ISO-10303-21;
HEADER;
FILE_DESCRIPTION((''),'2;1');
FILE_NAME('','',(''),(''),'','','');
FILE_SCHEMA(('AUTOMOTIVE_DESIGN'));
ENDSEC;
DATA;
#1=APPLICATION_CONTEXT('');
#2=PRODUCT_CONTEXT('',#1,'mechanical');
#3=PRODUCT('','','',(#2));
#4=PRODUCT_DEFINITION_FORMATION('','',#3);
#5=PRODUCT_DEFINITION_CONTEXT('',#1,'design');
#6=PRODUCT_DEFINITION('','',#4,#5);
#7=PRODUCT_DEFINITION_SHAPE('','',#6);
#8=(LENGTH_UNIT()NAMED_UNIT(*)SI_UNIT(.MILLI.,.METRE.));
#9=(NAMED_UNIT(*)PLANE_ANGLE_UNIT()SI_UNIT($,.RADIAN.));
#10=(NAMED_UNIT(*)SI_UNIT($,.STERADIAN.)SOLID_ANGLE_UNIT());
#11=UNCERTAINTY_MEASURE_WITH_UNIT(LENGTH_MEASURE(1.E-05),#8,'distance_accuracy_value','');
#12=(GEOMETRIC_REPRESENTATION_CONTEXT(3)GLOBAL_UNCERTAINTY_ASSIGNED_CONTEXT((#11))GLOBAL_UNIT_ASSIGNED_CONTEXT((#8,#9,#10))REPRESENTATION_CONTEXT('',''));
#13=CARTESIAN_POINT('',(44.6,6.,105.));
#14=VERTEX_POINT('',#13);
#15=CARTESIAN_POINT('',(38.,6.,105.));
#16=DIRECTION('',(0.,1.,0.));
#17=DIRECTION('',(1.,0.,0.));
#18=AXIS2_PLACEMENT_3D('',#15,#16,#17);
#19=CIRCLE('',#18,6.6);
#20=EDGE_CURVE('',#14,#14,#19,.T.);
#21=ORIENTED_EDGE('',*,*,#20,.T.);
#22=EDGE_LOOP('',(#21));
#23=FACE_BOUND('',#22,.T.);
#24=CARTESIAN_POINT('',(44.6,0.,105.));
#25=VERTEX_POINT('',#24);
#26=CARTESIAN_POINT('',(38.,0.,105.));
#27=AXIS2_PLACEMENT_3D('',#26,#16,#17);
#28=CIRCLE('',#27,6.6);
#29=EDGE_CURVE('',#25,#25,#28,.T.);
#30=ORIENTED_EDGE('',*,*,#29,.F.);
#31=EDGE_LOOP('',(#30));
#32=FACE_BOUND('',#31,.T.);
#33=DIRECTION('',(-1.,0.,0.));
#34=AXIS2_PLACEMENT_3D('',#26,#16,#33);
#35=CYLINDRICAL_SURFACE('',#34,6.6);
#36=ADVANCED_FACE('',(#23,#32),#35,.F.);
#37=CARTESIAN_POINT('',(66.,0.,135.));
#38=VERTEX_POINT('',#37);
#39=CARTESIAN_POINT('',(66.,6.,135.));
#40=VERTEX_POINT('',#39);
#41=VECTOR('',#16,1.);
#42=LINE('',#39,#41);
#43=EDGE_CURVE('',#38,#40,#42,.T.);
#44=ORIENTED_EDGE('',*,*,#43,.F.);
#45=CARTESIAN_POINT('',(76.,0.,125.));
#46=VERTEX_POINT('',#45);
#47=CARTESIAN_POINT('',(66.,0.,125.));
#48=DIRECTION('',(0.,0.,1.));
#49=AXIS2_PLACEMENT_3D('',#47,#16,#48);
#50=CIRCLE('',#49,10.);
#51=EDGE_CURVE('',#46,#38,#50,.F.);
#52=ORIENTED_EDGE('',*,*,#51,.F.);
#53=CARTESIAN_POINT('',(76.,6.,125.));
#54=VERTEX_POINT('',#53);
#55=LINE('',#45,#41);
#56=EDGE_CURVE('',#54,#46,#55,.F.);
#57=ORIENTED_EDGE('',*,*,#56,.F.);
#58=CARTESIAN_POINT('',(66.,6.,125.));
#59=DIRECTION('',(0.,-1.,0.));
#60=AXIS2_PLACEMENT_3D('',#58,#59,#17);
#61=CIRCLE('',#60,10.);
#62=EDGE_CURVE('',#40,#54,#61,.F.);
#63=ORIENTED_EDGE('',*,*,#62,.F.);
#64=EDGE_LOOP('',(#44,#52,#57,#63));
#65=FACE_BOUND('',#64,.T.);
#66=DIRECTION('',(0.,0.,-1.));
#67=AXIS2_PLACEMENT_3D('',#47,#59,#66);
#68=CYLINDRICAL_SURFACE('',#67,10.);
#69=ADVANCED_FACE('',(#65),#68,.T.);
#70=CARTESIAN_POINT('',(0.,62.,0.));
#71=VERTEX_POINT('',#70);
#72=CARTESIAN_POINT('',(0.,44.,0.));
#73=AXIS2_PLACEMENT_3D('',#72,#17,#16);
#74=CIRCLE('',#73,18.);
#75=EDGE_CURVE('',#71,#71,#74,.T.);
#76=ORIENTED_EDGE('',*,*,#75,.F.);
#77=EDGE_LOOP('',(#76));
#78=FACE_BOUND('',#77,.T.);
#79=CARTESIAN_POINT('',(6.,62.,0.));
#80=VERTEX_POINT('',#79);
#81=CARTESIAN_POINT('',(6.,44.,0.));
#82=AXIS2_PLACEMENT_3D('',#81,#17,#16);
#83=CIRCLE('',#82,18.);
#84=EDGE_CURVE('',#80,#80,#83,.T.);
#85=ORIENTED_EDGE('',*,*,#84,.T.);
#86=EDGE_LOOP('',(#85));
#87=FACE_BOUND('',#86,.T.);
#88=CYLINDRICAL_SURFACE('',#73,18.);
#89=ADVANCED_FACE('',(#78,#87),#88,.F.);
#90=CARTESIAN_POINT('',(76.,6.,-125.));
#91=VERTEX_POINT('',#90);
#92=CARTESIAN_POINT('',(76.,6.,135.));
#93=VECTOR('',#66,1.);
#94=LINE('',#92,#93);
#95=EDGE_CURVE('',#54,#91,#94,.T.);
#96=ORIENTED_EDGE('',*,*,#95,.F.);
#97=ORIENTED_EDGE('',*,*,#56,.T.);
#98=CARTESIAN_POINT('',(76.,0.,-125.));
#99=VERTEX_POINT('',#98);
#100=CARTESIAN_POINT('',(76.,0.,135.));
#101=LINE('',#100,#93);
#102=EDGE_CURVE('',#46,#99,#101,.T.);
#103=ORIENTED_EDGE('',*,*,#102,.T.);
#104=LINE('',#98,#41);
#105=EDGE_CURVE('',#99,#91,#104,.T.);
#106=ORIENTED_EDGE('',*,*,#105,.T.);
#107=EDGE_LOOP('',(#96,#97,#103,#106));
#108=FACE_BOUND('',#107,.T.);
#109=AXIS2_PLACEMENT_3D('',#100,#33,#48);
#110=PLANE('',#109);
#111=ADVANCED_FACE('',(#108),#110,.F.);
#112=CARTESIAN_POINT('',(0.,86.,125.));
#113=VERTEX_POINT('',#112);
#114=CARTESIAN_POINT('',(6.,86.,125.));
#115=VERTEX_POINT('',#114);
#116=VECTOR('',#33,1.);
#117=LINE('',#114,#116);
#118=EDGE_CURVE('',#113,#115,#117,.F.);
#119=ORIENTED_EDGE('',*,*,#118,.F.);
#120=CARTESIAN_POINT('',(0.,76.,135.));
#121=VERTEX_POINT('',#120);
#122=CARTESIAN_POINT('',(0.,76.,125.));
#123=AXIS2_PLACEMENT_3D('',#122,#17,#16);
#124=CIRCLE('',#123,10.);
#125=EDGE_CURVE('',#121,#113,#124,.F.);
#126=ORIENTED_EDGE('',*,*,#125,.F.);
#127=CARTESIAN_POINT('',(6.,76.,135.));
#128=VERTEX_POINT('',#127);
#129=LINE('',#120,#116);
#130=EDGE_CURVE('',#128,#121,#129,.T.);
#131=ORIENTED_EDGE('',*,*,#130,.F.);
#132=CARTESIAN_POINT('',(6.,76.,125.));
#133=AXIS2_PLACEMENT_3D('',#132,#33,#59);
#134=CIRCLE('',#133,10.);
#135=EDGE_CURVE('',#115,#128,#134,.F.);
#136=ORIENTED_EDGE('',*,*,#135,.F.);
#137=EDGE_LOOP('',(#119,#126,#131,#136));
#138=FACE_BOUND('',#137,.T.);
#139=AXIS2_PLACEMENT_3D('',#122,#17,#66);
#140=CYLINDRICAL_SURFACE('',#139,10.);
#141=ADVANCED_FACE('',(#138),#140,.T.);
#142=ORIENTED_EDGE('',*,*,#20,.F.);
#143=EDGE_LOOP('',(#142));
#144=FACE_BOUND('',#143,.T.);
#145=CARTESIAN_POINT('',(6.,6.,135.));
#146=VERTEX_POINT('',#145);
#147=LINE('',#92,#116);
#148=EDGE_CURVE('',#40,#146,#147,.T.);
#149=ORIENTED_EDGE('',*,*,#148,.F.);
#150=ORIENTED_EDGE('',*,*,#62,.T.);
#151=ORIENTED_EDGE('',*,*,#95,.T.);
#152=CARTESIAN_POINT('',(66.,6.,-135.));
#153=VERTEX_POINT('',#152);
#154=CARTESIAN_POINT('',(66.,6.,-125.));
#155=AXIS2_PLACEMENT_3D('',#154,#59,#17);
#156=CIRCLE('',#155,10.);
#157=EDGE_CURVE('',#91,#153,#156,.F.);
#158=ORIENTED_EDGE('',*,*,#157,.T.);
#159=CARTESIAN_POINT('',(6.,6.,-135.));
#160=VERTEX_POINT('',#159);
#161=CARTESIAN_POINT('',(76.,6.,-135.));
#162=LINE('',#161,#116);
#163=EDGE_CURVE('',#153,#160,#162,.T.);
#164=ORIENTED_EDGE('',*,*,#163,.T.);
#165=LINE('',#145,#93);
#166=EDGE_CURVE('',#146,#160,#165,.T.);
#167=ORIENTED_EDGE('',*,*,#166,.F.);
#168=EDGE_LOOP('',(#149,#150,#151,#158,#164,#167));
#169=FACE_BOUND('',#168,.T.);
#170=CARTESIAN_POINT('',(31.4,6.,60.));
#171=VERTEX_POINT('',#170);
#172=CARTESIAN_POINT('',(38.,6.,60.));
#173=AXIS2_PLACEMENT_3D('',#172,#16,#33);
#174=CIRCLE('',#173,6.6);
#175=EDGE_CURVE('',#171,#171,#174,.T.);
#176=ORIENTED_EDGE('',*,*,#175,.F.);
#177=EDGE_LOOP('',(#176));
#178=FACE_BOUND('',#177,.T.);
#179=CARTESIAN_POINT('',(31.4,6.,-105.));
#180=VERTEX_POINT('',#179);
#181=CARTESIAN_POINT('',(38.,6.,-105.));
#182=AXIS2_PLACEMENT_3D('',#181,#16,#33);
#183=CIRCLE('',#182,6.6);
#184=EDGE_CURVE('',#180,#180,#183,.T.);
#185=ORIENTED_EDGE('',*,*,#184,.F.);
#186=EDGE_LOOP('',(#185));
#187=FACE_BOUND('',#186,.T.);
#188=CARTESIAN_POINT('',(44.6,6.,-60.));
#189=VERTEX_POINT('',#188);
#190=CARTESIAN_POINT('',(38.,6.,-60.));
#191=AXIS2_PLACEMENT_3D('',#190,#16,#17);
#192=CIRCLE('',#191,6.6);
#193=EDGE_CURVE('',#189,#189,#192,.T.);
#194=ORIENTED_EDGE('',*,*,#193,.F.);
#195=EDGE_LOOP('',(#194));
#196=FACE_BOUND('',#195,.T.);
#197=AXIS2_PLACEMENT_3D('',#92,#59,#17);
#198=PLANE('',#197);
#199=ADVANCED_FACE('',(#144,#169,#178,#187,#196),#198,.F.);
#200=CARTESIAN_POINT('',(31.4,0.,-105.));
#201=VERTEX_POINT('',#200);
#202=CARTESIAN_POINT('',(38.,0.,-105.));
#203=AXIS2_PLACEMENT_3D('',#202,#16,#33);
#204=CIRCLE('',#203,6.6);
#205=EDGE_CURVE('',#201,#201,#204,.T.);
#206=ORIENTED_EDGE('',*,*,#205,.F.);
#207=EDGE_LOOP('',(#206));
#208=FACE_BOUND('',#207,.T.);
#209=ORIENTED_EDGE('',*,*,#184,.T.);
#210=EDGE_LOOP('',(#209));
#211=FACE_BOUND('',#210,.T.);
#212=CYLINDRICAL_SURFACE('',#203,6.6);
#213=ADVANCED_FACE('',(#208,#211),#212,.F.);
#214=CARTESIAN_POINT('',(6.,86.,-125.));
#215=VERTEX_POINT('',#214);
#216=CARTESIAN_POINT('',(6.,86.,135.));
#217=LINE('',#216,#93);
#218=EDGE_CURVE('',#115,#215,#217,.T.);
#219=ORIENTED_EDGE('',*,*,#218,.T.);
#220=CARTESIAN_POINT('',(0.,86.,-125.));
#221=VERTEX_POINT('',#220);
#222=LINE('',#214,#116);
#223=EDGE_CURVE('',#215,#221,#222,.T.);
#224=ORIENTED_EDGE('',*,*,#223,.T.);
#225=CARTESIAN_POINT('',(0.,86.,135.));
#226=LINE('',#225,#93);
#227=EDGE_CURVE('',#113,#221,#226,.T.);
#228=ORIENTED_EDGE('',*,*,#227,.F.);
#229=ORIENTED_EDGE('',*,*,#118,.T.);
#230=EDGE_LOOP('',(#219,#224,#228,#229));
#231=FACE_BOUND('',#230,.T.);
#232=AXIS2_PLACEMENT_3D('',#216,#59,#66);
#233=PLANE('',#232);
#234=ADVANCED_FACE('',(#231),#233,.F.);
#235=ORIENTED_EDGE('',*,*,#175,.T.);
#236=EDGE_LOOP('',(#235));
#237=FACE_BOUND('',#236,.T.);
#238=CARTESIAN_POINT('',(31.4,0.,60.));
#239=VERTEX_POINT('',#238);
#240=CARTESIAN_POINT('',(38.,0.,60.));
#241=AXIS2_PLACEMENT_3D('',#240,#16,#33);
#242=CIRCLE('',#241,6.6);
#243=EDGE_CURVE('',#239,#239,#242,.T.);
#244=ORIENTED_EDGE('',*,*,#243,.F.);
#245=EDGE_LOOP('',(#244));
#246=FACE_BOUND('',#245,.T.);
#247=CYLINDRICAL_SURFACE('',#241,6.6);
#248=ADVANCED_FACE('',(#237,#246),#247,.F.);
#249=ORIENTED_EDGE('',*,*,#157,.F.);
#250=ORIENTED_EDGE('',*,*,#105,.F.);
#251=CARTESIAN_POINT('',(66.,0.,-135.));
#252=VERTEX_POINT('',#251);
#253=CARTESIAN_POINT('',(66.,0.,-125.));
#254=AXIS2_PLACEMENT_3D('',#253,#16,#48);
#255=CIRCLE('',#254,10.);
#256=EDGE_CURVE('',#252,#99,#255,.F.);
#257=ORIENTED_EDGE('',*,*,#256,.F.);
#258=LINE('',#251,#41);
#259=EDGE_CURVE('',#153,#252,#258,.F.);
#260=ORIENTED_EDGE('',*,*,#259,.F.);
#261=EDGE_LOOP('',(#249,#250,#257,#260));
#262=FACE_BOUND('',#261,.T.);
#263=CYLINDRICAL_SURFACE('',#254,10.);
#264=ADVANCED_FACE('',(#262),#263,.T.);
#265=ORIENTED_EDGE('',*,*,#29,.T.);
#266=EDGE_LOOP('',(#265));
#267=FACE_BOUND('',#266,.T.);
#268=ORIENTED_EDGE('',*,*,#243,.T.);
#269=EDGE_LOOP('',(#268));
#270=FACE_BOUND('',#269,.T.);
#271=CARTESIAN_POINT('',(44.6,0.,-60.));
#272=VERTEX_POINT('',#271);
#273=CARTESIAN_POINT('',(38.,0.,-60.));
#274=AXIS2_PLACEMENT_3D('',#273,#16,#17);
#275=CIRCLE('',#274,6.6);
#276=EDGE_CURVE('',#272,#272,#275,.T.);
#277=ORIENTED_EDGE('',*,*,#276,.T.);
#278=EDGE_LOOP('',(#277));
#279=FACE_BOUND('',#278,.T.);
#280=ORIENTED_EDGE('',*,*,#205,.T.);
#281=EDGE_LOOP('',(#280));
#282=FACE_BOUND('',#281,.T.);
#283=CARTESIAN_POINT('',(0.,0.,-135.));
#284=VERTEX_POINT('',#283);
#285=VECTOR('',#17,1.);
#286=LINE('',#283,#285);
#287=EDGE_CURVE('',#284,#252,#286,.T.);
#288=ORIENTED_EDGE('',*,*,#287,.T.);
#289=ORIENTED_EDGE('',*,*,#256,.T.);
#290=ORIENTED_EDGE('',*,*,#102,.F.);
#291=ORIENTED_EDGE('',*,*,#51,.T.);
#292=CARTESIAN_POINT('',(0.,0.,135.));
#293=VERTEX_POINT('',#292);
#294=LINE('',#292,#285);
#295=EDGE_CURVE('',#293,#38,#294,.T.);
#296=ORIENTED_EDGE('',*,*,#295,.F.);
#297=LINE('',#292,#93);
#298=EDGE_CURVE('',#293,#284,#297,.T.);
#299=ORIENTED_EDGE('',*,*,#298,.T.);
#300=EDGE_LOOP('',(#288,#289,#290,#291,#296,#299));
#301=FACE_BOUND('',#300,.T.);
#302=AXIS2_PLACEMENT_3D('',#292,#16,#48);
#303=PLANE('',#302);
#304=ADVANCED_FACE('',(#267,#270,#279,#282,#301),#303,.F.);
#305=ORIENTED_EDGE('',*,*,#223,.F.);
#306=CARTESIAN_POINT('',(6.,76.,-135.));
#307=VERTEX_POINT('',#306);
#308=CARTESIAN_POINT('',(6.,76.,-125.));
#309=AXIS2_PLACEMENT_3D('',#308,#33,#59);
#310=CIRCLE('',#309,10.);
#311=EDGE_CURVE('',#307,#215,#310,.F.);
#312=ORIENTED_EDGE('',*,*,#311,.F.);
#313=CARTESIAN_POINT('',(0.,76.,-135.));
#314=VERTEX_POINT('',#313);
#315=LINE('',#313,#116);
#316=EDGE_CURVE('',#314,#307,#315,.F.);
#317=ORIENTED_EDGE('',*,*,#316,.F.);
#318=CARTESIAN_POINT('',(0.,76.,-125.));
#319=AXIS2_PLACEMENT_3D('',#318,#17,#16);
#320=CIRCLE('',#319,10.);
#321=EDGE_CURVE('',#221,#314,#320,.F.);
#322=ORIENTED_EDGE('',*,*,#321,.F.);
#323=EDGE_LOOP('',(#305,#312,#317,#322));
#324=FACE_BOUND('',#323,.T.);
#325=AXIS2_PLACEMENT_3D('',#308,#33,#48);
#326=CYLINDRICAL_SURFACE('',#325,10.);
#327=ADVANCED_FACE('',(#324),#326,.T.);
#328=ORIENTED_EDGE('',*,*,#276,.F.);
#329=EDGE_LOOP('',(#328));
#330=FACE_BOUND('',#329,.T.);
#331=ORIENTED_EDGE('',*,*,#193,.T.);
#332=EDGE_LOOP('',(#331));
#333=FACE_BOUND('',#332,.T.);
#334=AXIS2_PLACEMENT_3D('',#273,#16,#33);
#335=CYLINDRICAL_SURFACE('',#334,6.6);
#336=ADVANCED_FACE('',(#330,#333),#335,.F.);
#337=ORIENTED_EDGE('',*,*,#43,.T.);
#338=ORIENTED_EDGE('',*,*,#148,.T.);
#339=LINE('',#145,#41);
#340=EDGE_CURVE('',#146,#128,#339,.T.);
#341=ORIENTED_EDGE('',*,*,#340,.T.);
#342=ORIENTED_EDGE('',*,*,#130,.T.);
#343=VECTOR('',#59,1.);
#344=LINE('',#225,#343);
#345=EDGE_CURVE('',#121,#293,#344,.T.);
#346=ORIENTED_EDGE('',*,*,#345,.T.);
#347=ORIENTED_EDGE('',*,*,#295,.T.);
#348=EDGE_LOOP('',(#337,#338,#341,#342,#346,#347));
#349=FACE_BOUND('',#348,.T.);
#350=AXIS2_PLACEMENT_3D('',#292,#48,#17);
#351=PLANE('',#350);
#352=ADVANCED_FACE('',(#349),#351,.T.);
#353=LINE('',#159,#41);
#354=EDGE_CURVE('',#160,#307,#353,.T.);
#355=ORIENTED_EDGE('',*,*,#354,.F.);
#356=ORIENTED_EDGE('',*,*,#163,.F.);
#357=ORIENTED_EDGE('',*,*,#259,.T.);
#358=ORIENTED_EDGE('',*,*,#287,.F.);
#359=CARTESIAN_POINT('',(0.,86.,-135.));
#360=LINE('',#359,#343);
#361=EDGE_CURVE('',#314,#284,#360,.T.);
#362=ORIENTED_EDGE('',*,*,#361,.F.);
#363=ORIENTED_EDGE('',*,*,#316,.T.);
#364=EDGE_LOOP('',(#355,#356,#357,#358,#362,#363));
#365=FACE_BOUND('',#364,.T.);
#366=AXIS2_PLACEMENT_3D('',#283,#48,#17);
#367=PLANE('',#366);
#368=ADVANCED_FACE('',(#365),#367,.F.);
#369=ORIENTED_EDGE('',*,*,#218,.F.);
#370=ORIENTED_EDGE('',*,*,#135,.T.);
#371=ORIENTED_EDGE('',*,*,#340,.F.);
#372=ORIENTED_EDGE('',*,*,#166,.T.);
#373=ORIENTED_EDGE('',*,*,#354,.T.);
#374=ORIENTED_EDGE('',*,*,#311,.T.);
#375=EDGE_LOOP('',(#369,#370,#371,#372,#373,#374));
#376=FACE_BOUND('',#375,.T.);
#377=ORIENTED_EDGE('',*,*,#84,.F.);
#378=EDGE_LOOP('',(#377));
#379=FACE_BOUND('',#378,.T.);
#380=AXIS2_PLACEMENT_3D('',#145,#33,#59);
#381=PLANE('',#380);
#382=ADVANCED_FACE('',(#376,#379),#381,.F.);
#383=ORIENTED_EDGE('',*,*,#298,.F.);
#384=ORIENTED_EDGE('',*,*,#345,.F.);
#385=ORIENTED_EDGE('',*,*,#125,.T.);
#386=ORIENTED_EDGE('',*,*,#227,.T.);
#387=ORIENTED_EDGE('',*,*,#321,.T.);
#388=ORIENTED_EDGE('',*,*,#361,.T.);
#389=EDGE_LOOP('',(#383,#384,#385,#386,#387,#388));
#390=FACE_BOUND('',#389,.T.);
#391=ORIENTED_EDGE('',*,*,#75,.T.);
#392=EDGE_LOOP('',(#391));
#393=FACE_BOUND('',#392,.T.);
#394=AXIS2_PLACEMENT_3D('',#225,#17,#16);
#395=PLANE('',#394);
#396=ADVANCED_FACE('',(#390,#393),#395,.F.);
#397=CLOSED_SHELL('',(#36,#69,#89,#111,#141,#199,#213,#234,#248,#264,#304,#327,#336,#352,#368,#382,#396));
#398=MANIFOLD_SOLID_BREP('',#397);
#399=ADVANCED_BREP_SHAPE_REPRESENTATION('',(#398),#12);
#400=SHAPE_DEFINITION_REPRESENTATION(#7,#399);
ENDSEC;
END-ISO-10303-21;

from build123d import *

# Parameters (mm, degrees)
EXTRUDE_1_DEPTH     = 135
SKETCH_3_R          = 18
CUT_EXTRUDE_2_DEPTH = 175.702604445
SKETCH_4_R          = 6.6
CUT_EXTRUDE_3_DEPTH = 175.358825415
FILLET_1_R          = 10


with BuildPart() as part:
    # Эскиз1 → Бобышка-Вытянуть1 (new, symmetric)
    with BuildSketch(Plane.XY):
        Polygon((0, 0), (76, 0), (76, 6), (6, 6), (6, 86), (0, 86), align=None)
    extrude(amount=EXTRUDE_1_DEPTH, both=True)

    # Эскиз3 → Вырез-Вытянуть2 (cut, through all)
    with BuildSketch(Plane(origin=(6, 0, 0), x_dir=(0, 0, -1), z_dir=(1, 0, 0))):
        with Locations(Location((0, 44, 0), (0, 0, 90))):
            Circle(SKETCH_3_R)
    extrude(amount=-CUT_EXTRUDE_2_DEPTH, mode=Mode.SUBTRACT)

    # Эскиз4 → Вырез-Вытянуть3 (cut, through all)
    with BuildSketch(Plane(origin=(0, 6, 0), x_dir=(1, 0, 0), z_dir=(0, 1, 0))):
        with Locations(Location((38, 105, 0), (0, 0, 180))):
            Circle(SKETCH_4_R)
        with Locations((38, 60)):
            Circle(SKETCH_4_R)
        with Locations(Location((38, -60, 0), (0, 0, 180))):
            Circle(SKETCH_4_R)
        with Locations((38, -105)):
            Circle(SKETCH_4_R)
    extrude(amount=-CUT_EXTRUDE_3_DEPTH, mode=Mode.SUBTRACT)

    # Скругление1
    fillet_1_edges = [part.edges().sort_by_distance(p)[0] for p in [
        (76, 3, 135),
        (3, 86, 135),
        (3, 86, -135),
        (76, 3, -135),
    ]]
    fillet(fillet_1_edges, radius=FILLET_1_R)


solid = part.part
